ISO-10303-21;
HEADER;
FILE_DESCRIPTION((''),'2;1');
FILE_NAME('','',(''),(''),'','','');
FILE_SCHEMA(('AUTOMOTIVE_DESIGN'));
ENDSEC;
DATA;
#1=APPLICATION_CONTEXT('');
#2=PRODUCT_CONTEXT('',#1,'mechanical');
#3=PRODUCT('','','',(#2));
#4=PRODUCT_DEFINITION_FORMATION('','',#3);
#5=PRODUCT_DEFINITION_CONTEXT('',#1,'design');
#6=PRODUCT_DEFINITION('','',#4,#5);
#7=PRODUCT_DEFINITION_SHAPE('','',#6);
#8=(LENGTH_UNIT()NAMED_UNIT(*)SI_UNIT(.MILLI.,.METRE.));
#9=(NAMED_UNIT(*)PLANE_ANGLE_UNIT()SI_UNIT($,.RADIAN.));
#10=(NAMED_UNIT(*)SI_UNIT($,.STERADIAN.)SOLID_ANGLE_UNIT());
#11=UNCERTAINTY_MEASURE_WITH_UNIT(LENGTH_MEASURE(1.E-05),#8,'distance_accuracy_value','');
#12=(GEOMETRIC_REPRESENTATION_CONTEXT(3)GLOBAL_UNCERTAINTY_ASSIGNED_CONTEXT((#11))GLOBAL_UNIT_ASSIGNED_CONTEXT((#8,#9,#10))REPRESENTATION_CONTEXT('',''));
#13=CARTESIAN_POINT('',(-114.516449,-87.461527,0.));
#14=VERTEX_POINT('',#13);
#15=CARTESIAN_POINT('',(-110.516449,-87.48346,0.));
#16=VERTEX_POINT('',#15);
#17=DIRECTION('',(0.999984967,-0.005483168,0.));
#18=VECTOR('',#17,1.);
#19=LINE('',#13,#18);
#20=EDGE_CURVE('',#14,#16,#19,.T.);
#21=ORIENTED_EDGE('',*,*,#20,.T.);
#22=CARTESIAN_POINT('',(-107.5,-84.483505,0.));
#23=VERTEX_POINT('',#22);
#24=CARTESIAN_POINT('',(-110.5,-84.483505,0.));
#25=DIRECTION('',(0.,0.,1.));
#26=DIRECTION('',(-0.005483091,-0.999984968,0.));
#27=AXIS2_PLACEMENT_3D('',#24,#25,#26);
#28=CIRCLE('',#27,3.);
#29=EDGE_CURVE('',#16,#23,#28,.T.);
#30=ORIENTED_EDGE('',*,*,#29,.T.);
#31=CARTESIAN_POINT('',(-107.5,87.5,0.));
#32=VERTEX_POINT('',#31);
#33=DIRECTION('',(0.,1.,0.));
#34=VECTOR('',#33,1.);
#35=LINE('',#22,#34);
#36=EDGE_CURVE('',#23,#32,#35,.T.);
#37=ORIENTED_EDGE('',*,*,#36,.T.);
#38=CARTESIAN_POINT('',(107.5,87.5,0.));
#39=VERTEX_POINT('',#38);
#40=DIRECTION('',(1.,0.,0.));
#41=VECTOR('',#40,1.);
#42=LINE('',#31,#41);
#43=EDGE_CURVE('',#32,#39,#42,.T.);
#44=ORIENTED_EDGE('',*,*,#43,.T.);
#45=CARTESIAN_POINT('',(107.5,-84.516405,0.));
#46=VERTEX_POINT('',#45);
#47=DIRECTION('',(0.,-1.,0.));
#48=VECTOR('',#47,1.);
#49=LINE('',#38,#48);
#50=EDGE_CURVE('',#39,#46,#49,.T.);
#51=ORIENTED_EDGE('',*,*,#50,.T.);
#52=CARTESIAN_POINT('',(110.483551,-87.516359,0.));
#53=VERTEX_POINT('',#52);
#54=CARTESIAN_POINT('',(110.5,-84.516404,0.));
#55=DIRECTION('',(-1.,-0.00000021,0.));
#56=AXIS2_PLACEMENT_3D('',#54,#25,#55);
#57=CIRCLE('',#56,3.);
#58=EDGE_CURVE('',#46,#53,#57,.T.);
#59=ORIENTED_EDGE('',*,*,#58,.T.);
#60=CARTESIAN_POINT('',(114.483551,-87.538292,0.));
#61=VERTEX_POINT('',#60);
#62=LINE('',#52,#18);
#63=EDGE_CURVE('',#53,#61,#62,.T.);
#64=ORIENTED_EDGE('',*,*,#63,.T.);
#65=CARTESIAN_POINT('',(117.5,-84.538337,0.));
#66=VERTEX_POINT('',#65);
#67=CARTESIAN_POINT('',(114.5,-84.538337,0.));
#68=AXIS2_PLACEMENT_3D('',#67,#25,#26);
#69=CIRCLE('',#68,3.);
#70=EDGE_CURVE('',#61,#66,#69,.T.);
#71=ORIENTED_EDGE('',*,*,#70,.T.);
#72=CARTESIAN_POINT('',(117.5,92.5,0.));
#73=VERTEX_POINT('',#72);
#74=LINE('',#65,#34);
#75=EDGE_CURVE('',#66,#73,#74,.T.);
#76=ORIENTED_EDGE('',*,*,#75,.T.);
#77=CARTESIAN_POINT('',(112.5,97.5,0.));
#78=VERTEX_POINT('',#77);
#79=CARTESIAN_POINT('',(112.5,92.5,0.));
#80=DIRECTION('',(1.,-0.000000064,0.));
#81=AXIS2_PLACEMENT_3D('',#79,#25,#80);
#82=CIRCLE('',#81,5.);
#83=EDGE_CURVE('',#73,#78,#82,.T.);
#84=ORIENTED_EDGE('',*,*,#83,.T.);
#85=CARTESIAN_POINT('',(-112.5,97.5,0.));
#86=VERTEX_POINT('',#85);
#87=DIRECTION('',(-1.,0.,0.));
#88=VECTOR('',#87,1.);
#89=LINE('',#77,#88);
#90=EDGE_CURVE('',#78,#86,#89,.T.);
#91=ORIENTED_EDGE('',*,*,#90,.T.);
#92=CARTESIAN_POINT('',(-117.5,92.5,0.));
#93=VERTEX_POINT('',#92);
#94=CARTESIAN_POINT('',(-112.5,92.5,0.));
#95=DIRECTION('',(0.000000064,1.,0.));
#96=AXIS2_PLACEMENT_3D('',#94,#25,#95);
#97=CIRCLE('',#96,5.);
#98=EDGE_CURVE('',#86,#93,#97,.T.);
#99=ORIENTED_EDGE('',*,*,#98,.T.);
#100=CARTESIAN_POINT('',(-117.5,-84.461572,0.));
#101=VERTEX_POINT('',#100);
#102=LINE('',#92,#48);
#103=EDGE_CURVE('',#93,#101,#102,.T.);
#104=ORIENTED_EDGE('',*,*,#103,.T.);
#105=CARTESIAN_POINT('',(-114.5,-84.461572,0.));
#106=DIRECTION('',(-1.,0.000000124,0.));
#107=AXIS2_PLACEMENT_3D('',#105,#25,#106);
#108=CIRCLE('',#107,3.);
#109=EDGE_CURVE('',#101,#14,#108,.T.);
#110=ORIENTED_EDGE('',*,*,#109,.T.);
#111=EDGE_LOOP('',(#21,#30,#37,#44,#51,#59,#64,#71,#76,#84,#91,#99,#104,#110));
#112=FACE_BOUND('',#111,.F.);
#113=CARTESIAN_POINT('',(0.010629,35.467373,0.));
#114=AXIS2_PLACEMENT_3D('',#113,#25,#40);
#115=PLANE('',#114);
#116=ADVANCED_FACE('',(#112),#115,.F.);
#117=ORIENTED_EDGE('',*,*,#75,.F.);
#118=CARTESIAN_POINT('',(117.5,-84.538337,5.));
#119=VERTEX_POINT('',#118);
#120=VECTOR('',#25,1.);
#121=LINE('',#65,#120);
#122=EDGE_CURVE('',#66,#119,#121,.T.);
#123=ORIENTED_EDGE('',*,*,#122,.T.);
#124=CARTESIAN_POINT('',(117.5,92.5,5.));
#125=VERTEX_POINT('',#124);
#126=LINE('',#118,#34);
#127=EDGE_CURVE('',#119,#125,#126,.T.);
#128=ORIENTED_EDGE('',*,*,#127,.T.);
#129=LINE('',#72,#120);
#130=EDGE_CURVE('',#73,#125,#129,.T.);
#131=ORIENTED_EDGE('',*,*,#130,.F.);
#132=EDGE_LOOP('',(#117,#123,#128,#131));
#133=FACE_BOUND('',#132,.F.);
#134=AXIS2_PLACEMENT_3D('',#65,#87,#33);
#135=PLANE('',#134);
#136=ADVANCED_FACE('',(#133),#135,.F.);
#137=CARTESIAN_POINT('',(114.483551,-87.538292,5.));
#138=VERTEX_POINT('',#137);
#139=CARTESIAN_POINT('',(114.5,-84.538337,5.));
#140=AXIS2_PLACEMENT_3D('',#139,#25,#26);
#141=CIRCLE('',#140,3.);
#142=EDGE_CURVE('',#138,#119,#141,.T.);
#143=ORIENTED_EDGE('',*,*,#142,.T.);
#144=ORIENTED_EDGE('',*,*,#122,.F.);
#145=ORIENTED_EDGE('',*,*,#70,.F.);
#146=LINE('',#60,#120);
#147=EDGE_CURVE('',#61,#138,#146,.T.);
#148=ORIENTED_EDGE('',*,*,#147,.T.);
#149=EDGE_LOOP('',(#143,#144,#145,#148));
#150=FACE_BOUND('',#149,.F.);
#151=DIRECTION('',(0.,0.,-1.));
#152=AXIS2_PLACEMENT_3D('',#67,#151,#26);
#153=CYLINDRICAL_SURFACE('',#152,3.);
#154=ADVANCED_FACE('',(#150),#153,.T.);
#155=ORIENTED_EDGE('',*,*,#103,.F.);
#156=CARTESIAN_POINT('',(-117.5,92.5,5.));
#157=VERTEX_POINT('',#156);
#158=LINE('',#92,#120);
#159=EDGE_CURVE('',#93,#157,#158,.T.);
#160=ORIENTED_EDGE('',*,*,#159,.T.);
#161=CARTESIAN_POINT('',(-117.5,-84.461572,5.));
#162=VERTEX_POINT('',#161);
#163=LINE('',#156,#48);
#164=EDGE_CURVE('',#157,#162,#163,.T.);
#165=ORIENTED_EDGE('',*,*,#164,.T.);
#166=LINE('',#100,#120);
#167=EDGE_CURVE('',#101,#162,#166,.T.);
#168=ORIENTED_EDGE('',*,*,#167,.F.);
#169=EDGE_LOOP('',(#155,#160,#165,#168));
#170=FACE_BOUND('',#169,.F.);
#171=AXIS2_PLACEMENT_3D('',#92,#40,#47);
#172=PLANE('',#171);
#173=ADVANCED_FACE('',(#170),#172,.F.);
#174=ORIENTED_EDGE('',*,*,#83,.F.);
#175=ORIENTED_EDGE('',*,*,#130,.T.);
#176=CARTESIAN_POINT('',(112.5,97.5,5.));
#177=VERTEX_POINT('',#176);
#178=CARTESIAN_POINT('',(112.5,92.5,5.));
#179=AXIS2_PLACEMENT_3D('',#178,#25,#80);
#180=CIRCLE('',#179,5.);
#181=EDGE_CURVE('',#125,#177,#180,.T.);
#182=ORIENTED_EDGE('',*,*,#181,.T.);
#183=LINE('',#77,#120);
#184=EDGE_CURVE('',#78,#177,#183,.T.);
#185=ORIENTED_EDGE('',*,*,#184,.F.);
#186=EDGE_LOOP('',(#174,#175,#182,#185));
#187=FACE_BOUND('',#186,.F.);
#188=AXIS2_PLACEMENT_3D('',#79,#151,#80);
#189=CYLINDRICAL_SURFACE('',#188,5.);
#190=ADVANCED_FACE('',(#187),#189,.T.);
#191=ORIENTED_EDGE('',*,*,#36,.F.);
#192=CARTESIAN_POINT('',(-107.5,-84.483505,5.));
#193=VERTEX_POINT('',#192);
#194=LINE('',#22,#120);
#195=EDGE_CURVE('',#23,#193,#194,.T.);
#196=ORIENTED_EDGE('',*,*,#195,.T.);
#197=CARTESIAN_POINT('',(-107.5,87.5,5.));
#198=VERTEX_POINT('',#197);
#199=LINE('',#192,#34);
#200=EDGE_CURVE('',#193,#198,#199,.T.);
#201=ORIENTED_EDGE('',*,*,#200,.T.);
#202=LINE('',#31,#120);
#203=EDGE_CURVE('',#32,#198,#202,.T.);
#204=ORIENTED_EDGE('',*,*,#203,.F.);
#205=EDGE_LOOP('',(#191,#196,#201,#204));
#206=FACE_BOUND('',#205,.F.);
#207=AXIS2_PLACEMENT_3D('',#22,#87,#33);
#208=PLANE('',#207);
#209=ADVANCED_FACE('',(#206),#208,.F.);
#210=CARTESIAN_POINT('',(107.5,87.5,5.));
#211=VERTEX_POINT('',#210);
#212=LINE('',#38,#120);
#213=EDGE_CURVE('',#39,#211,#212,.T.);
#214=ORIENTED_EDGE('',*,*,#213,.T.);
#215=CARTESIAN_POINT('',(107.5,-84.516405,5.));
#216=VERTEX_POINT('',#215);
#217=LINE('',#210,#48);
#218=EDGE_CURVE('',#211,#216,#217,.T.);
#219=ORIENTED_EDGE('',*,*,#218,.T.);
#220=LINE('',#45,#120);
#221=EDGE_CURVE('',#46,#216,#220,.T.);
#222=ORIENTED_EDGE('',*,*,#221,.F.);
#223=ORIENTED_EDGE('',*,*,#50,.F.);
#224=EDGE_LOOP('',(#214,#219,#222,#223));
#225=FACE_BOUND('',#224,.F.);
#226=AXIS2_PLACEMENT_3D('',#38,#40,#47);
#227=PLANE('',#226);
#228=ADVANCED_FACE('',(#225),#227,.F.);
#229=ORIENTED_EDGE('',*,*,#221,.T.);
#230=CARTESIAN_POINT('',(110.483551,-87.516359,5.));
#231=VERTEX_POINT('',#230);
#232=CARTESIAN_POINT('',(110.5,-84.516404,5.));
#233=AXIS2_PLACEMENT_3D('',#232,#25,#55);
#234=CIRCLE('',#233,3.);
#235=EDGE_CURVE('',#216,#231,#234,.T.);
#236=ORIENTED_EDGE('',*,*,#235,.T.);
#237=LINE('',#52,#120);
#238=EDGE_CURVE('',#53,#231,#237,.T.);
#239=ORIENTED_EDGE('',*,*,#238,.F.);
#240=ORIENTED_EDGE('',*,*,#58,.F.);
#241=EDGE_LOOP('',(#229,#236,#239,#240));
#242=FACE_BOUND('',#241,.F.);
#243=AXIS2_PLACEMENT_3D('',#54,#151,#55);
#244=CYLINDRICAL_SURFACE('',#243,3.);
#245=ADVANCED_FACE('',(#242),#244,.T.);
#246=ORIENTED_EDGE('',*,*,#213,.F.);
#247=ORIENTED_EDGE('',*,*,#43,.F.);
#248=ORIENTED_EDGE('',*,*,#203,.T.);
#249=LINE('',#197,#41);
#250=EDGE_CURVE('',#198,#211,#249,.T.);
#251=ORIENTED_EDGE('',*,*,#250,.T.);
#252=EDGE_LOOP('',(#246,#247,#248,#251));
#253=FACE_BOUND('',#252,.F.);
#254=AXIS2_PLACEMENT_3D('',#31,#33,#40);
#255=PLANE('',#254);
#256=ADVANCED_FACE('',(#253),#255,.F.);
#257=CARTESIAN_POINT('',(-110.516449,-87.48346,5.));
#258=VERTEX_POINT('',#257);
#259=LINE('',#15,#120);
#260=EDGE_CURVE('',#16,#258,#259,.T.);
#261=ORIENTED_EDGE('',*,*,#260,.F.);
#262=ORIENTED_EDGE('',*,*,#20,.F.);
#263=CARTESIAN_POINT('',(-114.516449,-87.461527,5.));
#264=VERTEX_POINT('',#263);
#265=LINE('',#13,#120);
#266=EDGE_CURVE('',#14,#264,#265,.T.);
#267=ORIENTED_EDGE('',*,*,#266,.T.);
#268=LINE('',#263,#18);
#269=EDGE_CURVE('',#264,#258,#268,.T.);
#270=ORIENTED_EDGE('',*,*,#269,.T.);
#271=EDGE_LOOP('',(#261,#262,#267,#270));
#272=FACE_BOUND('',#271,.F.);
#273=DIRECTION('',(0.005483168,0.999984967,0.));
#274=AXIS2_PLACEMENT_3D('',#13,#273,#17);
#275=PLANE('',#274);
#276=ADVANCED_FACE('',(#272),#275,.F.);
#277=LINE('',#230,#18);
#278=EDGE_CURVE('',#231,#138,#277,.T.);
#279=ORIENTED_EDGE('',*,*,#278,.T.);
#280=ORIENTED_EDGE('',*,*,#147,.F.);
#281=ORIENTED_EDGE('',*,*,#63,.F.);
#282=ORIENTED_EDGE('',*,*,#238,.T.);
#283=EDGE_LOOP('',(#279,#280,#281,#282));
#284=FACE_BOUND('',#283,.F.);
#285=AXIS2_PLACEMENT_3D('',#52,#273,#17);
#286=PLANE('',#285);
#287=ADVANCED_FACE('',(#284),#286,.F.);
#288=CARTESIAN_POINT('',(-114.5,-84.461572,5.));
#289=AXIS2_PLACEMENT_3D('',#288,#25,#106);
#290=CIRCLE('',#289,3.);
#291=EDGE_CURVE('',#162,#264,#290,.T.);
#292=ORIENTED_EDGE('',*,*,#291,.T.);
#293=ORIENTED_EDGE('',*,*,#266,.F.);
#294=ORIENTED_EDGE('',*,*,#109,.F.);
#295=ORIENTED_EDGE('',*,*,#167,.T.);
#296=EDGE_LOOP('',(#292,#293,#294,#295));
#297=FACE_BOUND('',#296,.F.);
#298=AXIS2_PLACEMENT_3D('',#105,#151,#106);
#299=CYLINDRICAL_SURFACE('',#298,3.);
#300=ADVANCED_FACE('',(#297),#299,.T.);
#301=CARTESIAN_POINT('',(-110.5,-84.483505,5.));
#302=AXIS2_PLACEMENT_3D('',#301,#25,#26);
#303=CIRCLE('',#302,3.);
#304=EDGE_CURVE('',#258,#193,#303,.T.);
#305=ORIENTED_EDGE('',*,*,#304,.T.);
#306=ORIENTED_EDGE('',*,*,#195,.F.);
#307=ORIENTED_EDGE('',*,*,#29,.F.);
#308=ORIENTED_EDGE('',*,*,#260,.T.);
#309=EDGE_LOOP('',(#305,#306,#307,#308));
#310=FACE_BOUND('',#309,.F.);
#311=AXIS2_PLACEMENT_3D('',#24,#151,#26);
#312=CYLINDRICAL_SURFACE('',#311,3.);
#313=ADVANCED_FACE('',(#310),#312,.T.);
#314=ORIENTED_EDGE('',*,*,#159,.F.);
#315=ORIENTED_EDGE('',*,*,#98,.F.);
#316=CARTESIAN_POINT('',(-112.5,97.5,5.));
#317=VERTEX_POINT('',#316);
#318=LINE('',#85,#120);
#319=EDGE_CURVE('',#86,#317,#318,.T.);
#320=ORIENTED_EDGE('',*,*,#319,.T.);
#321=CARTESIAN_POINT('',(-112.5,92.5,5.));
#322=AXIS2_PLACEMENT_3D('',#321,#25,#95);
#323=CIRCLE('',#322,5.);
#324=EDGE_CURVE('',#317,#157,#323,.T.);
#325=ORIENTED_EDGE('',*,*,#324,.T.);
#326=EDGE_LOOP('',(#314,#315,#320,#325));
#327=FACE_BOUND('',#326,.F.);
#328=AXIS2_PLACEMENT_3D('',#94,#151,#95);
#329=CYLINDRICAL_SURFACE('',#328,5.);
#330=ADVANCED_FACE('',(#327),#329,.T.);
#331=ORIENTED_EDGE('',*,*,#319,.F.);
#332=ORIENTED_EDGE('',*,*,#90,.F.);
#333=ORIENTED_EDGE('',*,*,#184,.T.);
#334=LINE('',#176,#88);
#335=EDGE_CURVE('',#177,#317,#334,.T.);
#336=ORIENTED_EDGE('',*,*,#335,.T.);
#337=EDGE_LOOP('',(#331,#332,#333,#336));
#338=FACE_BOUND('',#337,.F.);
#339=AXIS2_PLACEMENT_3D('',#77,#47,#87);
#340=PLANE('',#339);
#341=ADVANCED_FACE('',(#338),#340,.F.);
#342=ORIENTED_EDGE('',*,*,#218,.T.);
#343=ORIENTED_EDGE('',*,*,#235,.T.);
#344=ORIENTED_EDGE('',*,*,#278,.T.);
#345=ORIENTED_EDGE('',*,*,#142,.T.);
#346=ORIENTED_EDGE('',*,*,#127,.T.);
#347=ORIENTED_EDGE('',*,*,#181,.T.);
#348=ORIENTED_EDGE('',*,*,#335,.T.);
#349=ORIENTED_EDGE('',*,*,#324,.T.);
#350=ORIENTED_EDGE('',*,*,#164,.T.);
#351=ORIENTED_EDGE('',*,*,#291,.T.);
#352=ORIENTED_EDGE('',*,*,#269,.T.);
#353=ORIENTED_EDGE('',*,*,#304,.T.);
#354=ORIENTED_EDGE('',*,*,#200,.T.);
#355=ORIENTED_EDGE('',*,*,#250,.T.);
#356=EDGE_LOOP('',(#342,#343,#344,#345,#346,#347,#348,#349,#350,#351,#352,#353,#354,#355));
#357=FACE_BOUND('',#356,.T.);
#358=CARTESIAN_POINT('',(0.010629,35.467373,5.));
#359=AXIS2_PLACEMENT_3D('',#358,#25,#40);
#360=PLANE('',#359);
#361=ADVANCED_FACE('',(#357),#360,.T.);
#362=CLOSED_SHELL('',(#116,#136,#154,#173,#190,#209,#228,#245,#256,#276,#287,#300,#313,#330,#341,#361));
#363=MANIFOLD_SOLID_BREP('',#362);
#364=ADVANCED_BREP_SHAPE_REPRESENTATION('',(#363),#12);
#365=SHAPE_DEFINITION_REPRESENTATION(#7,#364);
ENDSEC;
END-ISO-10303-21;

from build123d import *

# Parameters (mm, degrees)
F1_DEPTH = 5


with BuildPart() as f1:
    # F0 (on Top) → F1 (new body)
    with BuildSketch(Plane.XY):
        with BuildLine():
            Line((-107.5, 87.5), (107.5, 87.5))
            Line((107.5, 87.5), (107.5, -84.516405))
            ThreePointArc((107.5, -84.516405), (108.372872, -86.631901), (110.483551, -87.516359))
            Line((110.483551, -87.516359), (114.483551, -87.538292))
            ThreePointArc((114.483551, -87.538292), (116.615497, -86.665465), (117.5, -84.538337))
            Line((117.5, -84.538337), (117.5, 92.5))
            ThreePointArc((117.5, 92.5), (116.035534, 96.035534), (112.5, 97.5))
            Line((112.5, 97.5), (-112.5, 97.5))
            ThreePointArc((-112.5, 97.5), (-116.035534, 96.035534), (-117.5, 92.5))
            Line((-117.5, 92.5), (-117.5, -84.461572))
            ThreePointArc((-117.5, -84.461572), (-116.627128, -86.577069), (-114.516449, -87.461527))
            Line((-114.516449, -87.461527), (-110.516449, -87.48346))
            ThreePointArc((-110.516449, -87.48346), (-108.384503, -86.610633), (-107.5, -84.483505))
            Line((-107.5, -84.483505), (-107.5, 87.5))
        make_face()
    extrude(amount=F1_DEPTH)


solid = f1.part
